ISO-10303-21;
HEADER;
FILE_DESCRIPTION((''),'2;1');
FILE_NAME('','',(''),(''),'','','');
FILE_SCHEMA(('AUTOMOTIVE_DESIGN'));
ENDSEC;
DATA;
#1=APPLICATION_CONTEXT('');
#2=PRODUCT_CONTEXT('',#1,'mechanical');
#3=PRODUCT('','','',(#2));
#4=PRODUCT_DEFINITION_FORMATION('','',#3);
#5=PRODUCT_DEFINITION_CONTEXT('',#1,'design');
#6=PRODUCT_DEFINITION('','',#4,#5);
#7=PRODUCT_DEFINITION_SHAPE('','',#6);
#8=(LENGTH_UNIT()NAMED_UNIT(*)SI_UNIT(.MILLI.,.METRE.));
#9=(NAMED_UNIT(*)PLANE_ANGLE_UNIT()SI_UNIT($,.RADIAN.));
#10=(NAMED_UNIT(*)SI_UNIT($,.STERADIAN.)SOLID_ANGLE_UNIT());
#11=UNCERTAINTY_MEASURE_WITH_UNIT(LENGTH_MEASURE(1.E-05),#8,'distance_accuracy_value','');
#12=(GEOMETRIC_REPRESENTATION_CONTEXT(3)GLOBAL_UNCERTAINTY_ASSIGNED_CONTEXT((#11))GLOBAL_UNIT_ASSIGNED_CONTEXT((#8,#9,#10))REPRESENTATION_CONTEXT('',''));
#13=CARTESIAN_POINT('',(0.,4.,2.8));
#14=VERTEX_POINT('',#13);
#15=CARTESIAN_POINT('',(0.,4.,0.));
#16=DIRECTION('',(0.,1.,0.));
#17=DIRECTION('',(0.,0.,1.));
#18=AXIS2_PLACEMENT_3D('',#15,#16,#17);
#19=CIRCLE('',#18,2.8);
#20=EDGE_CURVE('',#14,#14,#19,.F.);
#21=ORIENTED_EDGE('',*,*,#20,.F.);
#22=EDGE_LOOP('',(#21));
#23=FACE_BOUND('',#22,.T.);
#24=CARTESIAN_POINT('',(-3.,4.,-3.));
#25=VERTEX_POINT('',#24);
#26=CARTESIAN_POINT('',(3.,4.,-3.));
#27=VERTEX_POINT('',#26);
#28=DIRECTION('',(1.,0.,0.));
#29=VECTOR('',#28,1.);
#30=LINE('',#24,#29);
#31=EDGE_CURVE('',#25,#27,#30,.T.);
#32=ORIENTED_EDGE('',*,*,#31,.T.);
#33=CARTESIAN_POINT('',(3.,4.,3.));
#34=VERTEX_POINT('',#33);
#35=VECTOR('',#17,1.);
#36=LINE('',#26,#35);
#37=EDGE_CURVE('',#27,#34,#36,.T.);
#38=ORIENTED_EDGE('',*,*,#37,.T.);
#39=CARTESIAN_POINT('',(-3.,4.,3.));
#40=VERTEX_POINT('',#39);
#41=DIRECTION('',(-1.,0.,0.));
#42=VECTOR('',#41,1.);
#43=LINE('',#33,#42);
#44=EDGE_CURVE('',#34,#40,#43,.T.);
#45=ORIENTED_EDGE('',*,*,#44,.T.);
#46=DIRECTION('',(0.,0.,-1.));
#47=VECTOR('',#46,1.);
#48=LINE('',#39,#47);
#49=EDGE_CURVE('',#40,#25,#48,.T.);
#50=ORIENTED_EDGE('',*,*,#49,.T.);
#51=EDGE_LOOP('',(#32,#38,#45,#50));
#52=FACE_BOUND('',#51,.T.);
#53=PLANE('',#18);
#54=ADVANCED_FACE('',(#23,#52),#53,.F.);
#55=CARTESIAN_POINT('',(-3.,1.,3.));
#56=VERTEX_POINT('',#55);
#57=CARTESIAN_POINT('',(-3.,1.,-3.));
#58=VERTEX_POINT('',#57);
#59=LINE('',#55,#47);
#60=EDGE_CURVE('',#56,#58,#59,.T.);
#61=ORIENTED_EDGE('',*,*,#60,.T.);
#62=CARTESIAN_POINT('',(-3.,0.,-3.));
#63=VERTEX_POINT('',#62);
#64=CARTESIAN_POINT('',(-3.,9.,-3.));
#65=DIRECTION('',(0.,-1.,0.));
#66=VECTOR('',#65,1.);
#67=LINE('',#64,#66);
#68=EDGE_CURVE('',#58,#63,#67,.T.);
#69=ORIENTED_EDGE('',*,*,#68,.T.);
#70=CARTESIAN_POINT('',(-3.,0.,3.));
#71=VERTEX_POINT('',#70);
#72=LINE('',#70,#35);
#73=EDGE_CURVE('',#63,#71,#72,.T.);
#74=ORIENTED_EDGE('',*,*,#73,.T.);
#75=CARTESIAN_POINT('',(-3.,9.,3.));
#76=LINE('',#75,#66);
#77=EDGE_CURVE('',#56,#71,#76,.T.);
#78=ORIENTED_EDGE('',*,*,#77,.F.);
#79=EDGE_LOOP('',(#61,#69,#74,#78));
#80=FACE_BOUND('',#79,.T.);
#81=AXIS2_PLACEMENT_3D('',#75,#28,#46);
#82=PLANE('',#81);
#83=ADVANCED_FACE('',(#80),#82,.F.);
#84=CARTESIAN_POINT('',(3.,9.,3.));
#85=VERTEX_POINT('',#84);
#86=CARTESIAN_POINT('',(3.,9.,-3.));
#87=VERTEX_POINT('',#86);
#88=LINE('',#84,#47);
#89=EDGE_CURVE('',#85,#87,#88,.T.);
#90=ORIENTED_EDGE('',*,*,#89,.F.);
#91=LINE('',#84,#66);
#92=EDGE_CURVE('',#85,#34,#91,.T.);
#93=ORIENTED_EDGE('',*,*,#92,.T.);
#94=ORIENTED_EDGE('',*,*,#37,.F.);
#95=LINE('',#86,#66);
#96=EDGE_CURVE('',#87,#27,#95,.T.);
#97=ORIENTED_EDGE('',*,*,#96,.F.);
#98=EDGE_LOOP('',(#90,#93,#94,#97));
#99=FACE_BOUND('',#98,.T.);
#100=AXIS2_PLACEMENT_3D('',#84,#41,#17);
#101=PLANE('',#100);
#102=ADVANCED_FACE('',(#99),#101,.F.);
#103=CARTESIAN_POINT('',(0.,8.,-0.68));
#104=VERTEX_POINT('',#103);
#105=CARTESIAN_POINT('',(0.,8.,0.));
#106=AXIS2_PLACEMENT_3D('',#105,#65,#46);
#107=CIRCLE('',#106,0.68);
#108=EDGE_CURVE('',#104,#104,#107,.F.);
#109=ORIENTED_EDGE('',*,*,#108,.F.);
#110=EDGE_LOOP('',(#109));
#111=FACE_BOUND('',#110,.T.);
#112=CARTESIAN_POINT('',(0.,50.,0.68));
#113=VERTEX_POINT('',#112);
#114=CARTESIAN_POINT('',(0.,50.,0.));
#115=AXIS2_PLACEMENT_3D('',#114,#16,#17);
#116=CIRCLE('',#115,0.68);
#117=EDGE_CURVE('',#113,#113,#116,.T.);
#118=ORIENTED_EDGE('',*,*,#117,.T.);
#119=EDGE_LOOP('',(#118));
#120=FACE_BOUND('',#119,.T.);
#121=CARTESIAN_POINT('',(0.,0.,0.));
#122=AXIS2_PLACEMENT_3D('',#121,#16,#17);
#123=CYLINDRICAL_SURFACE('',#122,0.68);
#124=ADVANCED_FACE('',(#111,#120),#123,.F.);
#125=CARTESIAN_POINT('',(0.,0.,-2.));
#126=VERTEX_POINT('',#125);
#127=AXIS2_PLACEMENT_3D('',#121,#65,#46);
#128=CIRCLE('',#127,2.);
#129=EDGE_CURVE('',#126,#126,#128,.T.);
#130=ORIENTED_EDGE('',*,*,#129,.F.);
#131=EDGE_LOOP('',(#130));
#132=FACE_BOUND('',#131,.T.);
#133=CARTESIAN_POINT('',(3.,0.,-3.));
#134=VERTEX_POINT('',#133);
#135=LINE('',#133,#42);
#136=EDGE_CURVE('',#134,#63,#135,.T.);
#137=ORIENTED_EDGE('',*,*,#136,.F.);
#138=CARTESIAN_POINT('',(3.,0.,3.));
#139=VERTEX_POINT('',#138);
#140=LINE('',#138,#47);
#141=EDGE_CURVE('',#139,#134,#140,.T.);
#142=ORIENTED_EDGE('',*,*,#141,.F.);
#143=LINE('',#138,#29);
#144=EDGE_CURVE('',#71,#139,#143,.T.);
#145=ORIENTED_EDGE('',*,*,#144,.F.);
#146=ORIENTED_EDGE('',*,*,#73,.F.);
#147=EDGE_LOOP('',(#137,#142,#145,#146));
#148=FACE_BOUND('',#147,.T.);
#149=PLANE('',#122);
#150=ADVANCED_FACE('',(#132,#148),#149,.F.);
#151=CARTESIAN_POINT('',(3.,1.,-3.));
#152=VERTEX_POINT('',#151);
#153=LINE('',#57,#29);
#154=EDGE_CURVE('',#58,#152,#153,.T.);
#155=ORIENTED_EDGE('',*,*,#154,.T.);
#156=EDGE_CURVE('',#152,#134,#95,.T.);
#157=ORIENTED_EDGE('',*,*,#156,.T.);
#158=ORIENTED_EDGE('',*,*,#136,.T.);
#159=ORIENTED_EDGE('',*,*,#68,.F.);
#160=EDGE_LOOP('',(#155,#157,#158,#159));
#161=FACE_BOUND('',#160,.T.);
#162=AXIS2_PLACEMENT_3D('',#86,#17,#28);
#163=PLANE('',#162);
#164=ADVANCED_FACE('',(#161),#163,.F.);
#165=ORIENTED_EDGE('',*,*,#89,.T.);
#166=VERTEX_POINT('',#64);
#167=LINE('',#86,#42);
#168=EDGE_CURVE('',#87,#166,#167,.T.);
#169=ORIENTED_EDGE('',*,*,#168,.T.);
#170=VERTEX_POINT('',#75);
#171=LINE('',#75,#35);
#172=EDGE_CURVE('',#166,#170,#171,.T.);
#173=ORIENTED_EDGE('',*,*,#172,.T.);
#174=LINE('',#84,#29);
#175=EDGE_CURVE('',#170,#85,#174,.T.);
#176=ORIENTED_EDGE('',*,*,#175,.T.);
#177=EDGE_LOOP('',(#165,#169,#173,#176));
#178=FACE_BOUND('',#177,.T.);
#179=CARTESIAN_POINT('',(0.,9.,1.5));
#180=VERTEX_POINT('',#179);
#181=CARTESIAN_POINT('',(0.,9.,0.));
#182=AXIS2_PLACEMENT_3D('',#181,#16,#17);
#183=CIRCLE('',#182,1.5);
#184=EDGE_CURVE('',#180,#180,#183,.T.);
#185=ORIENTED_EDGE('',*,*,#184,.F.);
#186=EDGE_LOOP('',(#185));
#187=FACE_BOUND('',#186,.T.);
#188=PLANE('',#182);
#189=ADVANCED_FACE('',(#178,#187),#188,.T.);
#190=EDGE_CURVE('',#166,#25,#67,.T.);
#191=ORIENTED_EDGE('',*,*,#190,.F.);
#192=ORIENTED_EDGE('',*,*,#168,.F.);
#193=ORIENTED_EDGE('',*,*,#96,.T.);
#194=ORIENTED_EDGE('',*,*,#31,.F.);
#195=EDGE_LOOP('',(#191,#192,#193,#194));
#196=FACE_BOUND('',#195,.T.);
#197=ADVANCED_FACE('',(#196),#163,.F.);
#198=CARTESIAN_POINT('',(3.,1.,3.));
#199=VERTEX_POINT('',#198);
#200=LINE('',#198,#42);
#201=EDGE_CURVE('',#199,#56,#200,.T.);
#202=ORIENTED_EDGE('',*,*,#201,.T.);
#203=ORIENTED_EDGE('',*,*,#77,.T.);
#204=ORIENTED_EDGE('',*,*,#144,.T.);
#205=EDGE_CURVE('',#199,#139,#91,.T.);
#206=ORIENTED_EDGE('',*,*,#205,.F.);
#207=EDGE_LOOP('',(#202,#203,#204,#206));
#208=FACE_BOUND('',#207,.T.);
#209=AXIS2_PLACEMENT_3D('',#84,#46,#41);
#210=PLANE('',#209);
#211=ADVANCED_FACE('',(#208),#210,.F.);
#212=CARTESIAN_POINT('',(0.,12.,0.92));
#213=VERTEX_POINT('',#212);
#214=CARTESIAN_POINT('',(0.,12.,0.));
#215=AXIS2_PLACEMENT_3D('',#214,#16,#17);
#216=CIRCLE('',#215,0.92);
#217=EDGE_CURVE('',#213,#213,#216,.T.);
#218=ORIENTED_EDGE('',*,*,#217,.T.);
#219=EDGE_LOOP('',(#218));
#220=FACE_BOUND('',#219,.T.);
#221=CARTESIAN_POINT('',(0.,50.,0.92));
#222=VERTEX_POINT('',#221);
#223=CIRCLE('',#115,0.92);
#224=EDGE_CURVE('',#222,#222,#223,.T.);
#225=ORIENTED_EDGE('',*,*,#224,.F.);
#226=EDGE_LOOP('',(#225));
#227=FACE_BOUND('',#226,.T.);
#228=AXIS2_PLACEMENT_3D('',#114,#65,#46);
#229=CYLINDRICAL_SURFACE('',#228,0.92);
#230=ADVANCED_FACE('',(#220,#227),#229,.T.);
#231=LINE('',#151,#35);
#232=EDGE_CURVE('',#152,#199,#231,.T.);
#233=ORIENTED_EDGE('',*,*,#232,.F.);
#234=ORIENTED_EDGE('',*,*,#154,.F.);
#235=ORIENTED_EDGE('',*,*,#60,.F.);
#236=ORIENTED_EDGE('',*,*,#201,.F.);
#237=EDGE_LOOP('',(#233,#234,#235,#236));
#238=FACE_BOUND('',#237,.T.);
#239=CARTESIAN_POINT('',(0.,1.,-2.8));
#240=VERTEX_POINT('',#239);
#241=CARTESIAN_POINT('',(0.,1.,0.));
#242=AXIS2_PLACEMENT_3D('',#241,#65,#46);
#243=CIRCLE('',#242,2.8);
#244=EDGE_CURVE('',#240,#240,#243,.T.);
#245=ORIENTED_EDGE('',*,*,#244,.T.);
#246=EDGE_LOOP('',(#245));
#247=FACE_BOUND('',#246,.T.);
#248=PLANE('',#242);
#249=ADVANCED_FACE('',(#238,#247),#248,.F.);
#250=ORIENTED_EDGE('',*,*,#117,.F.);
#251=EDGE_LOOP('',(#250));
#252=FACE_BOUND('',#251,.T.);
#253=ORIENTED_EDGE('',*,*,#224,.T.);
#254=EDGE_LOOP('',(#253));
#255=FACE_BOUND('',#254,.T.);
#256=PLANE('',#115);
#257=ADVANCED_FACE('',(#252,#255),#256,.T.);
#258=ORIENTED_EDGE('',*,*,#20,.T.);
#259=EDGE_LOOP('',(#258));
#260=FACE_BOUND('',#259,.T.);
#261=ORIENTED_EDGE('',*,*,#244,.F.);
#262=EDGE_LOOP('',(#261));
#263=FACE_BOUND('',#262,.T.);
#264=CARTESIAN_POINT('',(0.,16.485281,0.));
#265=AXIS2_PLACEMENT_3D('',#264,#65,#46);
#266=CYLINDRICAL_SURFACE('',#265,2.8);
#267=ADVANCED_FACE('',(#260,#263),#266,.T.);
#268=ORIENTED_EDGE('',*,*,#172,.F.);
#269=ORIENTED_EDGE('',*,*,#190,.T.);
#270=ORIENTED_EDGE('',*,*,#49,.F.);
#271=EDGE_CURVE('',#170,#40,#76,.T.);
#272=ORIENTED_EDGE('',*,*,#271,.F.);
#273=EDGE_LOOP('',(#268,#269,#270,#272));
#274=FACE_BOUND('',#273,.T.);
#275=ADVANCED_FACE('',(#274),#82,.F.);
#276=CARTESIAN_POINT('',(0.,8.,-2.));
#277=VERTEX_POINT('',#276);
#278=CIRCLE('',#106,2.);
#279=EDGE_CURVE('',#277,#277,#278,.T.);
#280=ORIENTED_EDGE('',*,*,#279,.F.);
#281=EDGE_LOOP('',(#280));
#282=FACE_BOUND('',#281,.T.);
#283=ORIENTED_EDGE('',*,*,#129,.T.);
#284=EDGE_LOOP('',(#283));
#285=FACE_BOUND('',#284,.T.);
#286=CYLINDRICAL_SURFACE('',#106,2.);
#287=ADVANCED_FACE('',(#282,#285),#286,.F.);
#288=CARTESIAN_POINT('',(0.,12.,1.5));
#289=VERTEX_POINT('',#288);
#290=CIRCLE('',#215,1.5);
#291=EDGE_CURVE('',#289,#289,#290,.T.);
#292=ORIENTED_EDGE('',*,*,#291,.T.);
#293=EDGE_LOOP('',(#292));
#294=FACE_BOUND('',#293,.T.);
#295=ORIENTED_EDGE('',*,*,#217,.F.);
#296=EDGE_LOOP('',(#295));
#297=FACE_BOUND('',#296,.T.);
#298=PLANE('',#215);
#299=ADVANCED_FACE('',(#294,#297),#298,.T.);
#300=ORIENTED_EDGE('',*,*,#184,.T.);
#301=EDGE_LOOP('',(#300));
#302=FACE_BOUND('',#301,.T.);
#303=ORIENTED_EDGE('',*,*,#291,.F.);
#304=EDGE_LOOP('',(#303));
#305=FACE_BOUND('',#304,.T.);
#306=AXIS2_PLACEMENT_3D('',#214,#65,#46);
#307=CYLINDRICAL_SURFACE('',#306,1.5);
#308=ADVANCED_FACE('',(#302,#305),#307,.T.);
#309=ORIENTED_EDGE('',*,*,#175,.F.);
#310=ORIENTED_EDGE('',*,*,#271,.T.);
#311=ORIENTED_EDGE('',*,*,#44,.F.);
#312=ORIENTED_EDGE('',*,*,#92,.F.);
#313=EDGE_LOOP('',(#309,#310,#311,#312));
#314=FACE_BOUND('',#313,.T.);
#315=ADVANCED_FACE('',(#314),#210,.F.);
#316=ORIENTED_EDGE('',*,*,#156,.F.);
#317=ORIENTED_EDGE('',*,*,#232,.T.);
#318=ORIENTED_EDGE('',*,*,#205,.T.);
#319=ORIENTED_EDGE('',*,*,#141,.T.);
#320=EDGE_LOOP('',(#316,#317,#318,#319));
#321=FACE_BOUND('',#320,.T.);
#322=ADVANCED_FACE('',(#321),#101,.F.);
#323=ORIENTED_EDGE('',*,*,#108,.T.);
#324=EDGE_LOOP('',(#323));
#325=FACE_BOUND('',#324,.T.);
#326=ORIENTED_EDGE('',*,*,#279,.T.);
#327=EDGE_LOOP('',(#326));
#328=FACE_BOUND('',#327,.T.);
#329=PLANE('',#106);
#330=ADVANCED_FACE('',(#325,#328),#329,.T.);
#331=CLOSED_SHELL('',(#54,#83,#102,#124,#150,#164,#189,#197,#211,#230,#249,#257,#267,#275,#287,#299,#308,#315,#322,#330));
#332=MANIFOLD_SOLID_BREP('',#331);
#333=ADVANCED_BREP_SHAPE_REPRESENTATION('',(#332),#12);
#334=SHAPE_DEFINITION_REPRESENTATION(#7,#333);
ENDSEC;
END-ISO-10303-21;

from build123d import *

# Parameters (mm, degrees)
SKETCH1_W               = 6
SKETCH1_H               = 6
BOSS_EXTRUDE1_DEPTH     = 9
SKETCH2_R               = 1.5
BOSS_EXTRUDE2_DEPTH     = 3
CUT_EXTRUDE1_DEPTH      = 13.727922061
CUT_EXTRUDE1_DEPTH_BACK = 13.727922061
SKETCH3_R               = 0.68
BOSS_EXTRUDE3_START     = 38
SKETCH3_3_R             = 0.92
SKETCH3_3_R_2           = 0.68
BOSS_EXTRUDE3_DEPTH     = 38
SKETCH4_R               = 2
CUT_EXTRUDE2_DEPTH      = 8
CUT_EXTRUDE3_START      = -1
SKETCH6_W               = 6
SKETCH6_H               = 6
SKETCH6_R               = 2.8
CUT_EXTRUDE3_DEPTH      = 3


with BuildPart() as part:
    # Sketch1 → Boss-Extrude1 (new body)
    with BuildSketch(Plane(origin=(0, 0, 0), x_dir=(1, 0, 0), z_dir=(0, 1, 0))):
        Rectangle(SKETCH1_W, SKETCH1_H)
    extrude(amount=BOSS_EXTRUDE1_DEPTH)

    # Sketch2 → Boss-Extrude2 (add)
    with BuildSketch(Plane(origin=(0, 9, 0), x_dir=(1, 0, 0), z_dir=(0, 1, 0))):
        with Locations(Location((0, 0, 0), (0, 0, 270))):
            Circle(SKETCH2_R)
    extrude(amount=BOSS_EXTRUDE2_DEPTH)

    # Sketch3 → Cut-Extrude1 (cut, two sides: drawn at the far end of the back side and taken through both)
    with BuildSketch(Plane(origin=(0, 12, 0), x_dir=(1, 0, 0), z_dir=(0, 1, 0)).offset(-CUT_EXTRUDE1_DEPTH_BACK)):
        with Locations(Location((0, 0, 0), (0, 0, 270))):
            Circle(SKETCH3_R)
    extrude(amount=CUT_EXTRUDE1_DEPTH + CUT_EXTRUDE1_DEPTH_BACK, mode=Mode.SUBTRACT)

    # Sketch3<3> → Boss-Extrude3 (add)
    with BuildSketch(Plane(origin=(0, 12, 0), x_dir=(1, 0, 0), z_dir=(0, 1, 0)).offset(BOSS_EXTRUDE3_START)):
        with Locations(Location((0, 0, 0), (0, 0, 270))):
            Circle(SKETCH3_3_R)
        with Locations(Location((0, 0, 0), (0, 0, 270))):
            Circle(SKETCH3_3_R_2, mode=Mode.SUBTRACT)
    extrude(amount=-BOSS_EXTRUDE3_DEPTH)

    # Sketch4 → Cut-Extrude2 (cut)
    with BuildSketch(Plane.XZ):
        with Locations(Location((0, 0, 0), (0, 0, 270))):
            Circle(SKETCH4_R)
    extrude(amount=-CUT_EXTRUDE2_DEPTH, mode=Mode.SUBTRACT)

    # Sketch6 → Cut-Extrude3 (cut)
    with BuildSketch(Plane.XZ.offset(CUT_EXTRUDE3_START)):
        Rectangle(SKETCH6_W, SKETCH6_H)
        with Locations(Location((0, 0, 0), (0, 0, 270))):
            Circle(SKETCH6_R, mode=Mode.SUBTRACT)
    extrude(amount=-CUT_EXTRUDE3_DEPTH, mode=Mode.SUBTRACT)


solid = part.part
